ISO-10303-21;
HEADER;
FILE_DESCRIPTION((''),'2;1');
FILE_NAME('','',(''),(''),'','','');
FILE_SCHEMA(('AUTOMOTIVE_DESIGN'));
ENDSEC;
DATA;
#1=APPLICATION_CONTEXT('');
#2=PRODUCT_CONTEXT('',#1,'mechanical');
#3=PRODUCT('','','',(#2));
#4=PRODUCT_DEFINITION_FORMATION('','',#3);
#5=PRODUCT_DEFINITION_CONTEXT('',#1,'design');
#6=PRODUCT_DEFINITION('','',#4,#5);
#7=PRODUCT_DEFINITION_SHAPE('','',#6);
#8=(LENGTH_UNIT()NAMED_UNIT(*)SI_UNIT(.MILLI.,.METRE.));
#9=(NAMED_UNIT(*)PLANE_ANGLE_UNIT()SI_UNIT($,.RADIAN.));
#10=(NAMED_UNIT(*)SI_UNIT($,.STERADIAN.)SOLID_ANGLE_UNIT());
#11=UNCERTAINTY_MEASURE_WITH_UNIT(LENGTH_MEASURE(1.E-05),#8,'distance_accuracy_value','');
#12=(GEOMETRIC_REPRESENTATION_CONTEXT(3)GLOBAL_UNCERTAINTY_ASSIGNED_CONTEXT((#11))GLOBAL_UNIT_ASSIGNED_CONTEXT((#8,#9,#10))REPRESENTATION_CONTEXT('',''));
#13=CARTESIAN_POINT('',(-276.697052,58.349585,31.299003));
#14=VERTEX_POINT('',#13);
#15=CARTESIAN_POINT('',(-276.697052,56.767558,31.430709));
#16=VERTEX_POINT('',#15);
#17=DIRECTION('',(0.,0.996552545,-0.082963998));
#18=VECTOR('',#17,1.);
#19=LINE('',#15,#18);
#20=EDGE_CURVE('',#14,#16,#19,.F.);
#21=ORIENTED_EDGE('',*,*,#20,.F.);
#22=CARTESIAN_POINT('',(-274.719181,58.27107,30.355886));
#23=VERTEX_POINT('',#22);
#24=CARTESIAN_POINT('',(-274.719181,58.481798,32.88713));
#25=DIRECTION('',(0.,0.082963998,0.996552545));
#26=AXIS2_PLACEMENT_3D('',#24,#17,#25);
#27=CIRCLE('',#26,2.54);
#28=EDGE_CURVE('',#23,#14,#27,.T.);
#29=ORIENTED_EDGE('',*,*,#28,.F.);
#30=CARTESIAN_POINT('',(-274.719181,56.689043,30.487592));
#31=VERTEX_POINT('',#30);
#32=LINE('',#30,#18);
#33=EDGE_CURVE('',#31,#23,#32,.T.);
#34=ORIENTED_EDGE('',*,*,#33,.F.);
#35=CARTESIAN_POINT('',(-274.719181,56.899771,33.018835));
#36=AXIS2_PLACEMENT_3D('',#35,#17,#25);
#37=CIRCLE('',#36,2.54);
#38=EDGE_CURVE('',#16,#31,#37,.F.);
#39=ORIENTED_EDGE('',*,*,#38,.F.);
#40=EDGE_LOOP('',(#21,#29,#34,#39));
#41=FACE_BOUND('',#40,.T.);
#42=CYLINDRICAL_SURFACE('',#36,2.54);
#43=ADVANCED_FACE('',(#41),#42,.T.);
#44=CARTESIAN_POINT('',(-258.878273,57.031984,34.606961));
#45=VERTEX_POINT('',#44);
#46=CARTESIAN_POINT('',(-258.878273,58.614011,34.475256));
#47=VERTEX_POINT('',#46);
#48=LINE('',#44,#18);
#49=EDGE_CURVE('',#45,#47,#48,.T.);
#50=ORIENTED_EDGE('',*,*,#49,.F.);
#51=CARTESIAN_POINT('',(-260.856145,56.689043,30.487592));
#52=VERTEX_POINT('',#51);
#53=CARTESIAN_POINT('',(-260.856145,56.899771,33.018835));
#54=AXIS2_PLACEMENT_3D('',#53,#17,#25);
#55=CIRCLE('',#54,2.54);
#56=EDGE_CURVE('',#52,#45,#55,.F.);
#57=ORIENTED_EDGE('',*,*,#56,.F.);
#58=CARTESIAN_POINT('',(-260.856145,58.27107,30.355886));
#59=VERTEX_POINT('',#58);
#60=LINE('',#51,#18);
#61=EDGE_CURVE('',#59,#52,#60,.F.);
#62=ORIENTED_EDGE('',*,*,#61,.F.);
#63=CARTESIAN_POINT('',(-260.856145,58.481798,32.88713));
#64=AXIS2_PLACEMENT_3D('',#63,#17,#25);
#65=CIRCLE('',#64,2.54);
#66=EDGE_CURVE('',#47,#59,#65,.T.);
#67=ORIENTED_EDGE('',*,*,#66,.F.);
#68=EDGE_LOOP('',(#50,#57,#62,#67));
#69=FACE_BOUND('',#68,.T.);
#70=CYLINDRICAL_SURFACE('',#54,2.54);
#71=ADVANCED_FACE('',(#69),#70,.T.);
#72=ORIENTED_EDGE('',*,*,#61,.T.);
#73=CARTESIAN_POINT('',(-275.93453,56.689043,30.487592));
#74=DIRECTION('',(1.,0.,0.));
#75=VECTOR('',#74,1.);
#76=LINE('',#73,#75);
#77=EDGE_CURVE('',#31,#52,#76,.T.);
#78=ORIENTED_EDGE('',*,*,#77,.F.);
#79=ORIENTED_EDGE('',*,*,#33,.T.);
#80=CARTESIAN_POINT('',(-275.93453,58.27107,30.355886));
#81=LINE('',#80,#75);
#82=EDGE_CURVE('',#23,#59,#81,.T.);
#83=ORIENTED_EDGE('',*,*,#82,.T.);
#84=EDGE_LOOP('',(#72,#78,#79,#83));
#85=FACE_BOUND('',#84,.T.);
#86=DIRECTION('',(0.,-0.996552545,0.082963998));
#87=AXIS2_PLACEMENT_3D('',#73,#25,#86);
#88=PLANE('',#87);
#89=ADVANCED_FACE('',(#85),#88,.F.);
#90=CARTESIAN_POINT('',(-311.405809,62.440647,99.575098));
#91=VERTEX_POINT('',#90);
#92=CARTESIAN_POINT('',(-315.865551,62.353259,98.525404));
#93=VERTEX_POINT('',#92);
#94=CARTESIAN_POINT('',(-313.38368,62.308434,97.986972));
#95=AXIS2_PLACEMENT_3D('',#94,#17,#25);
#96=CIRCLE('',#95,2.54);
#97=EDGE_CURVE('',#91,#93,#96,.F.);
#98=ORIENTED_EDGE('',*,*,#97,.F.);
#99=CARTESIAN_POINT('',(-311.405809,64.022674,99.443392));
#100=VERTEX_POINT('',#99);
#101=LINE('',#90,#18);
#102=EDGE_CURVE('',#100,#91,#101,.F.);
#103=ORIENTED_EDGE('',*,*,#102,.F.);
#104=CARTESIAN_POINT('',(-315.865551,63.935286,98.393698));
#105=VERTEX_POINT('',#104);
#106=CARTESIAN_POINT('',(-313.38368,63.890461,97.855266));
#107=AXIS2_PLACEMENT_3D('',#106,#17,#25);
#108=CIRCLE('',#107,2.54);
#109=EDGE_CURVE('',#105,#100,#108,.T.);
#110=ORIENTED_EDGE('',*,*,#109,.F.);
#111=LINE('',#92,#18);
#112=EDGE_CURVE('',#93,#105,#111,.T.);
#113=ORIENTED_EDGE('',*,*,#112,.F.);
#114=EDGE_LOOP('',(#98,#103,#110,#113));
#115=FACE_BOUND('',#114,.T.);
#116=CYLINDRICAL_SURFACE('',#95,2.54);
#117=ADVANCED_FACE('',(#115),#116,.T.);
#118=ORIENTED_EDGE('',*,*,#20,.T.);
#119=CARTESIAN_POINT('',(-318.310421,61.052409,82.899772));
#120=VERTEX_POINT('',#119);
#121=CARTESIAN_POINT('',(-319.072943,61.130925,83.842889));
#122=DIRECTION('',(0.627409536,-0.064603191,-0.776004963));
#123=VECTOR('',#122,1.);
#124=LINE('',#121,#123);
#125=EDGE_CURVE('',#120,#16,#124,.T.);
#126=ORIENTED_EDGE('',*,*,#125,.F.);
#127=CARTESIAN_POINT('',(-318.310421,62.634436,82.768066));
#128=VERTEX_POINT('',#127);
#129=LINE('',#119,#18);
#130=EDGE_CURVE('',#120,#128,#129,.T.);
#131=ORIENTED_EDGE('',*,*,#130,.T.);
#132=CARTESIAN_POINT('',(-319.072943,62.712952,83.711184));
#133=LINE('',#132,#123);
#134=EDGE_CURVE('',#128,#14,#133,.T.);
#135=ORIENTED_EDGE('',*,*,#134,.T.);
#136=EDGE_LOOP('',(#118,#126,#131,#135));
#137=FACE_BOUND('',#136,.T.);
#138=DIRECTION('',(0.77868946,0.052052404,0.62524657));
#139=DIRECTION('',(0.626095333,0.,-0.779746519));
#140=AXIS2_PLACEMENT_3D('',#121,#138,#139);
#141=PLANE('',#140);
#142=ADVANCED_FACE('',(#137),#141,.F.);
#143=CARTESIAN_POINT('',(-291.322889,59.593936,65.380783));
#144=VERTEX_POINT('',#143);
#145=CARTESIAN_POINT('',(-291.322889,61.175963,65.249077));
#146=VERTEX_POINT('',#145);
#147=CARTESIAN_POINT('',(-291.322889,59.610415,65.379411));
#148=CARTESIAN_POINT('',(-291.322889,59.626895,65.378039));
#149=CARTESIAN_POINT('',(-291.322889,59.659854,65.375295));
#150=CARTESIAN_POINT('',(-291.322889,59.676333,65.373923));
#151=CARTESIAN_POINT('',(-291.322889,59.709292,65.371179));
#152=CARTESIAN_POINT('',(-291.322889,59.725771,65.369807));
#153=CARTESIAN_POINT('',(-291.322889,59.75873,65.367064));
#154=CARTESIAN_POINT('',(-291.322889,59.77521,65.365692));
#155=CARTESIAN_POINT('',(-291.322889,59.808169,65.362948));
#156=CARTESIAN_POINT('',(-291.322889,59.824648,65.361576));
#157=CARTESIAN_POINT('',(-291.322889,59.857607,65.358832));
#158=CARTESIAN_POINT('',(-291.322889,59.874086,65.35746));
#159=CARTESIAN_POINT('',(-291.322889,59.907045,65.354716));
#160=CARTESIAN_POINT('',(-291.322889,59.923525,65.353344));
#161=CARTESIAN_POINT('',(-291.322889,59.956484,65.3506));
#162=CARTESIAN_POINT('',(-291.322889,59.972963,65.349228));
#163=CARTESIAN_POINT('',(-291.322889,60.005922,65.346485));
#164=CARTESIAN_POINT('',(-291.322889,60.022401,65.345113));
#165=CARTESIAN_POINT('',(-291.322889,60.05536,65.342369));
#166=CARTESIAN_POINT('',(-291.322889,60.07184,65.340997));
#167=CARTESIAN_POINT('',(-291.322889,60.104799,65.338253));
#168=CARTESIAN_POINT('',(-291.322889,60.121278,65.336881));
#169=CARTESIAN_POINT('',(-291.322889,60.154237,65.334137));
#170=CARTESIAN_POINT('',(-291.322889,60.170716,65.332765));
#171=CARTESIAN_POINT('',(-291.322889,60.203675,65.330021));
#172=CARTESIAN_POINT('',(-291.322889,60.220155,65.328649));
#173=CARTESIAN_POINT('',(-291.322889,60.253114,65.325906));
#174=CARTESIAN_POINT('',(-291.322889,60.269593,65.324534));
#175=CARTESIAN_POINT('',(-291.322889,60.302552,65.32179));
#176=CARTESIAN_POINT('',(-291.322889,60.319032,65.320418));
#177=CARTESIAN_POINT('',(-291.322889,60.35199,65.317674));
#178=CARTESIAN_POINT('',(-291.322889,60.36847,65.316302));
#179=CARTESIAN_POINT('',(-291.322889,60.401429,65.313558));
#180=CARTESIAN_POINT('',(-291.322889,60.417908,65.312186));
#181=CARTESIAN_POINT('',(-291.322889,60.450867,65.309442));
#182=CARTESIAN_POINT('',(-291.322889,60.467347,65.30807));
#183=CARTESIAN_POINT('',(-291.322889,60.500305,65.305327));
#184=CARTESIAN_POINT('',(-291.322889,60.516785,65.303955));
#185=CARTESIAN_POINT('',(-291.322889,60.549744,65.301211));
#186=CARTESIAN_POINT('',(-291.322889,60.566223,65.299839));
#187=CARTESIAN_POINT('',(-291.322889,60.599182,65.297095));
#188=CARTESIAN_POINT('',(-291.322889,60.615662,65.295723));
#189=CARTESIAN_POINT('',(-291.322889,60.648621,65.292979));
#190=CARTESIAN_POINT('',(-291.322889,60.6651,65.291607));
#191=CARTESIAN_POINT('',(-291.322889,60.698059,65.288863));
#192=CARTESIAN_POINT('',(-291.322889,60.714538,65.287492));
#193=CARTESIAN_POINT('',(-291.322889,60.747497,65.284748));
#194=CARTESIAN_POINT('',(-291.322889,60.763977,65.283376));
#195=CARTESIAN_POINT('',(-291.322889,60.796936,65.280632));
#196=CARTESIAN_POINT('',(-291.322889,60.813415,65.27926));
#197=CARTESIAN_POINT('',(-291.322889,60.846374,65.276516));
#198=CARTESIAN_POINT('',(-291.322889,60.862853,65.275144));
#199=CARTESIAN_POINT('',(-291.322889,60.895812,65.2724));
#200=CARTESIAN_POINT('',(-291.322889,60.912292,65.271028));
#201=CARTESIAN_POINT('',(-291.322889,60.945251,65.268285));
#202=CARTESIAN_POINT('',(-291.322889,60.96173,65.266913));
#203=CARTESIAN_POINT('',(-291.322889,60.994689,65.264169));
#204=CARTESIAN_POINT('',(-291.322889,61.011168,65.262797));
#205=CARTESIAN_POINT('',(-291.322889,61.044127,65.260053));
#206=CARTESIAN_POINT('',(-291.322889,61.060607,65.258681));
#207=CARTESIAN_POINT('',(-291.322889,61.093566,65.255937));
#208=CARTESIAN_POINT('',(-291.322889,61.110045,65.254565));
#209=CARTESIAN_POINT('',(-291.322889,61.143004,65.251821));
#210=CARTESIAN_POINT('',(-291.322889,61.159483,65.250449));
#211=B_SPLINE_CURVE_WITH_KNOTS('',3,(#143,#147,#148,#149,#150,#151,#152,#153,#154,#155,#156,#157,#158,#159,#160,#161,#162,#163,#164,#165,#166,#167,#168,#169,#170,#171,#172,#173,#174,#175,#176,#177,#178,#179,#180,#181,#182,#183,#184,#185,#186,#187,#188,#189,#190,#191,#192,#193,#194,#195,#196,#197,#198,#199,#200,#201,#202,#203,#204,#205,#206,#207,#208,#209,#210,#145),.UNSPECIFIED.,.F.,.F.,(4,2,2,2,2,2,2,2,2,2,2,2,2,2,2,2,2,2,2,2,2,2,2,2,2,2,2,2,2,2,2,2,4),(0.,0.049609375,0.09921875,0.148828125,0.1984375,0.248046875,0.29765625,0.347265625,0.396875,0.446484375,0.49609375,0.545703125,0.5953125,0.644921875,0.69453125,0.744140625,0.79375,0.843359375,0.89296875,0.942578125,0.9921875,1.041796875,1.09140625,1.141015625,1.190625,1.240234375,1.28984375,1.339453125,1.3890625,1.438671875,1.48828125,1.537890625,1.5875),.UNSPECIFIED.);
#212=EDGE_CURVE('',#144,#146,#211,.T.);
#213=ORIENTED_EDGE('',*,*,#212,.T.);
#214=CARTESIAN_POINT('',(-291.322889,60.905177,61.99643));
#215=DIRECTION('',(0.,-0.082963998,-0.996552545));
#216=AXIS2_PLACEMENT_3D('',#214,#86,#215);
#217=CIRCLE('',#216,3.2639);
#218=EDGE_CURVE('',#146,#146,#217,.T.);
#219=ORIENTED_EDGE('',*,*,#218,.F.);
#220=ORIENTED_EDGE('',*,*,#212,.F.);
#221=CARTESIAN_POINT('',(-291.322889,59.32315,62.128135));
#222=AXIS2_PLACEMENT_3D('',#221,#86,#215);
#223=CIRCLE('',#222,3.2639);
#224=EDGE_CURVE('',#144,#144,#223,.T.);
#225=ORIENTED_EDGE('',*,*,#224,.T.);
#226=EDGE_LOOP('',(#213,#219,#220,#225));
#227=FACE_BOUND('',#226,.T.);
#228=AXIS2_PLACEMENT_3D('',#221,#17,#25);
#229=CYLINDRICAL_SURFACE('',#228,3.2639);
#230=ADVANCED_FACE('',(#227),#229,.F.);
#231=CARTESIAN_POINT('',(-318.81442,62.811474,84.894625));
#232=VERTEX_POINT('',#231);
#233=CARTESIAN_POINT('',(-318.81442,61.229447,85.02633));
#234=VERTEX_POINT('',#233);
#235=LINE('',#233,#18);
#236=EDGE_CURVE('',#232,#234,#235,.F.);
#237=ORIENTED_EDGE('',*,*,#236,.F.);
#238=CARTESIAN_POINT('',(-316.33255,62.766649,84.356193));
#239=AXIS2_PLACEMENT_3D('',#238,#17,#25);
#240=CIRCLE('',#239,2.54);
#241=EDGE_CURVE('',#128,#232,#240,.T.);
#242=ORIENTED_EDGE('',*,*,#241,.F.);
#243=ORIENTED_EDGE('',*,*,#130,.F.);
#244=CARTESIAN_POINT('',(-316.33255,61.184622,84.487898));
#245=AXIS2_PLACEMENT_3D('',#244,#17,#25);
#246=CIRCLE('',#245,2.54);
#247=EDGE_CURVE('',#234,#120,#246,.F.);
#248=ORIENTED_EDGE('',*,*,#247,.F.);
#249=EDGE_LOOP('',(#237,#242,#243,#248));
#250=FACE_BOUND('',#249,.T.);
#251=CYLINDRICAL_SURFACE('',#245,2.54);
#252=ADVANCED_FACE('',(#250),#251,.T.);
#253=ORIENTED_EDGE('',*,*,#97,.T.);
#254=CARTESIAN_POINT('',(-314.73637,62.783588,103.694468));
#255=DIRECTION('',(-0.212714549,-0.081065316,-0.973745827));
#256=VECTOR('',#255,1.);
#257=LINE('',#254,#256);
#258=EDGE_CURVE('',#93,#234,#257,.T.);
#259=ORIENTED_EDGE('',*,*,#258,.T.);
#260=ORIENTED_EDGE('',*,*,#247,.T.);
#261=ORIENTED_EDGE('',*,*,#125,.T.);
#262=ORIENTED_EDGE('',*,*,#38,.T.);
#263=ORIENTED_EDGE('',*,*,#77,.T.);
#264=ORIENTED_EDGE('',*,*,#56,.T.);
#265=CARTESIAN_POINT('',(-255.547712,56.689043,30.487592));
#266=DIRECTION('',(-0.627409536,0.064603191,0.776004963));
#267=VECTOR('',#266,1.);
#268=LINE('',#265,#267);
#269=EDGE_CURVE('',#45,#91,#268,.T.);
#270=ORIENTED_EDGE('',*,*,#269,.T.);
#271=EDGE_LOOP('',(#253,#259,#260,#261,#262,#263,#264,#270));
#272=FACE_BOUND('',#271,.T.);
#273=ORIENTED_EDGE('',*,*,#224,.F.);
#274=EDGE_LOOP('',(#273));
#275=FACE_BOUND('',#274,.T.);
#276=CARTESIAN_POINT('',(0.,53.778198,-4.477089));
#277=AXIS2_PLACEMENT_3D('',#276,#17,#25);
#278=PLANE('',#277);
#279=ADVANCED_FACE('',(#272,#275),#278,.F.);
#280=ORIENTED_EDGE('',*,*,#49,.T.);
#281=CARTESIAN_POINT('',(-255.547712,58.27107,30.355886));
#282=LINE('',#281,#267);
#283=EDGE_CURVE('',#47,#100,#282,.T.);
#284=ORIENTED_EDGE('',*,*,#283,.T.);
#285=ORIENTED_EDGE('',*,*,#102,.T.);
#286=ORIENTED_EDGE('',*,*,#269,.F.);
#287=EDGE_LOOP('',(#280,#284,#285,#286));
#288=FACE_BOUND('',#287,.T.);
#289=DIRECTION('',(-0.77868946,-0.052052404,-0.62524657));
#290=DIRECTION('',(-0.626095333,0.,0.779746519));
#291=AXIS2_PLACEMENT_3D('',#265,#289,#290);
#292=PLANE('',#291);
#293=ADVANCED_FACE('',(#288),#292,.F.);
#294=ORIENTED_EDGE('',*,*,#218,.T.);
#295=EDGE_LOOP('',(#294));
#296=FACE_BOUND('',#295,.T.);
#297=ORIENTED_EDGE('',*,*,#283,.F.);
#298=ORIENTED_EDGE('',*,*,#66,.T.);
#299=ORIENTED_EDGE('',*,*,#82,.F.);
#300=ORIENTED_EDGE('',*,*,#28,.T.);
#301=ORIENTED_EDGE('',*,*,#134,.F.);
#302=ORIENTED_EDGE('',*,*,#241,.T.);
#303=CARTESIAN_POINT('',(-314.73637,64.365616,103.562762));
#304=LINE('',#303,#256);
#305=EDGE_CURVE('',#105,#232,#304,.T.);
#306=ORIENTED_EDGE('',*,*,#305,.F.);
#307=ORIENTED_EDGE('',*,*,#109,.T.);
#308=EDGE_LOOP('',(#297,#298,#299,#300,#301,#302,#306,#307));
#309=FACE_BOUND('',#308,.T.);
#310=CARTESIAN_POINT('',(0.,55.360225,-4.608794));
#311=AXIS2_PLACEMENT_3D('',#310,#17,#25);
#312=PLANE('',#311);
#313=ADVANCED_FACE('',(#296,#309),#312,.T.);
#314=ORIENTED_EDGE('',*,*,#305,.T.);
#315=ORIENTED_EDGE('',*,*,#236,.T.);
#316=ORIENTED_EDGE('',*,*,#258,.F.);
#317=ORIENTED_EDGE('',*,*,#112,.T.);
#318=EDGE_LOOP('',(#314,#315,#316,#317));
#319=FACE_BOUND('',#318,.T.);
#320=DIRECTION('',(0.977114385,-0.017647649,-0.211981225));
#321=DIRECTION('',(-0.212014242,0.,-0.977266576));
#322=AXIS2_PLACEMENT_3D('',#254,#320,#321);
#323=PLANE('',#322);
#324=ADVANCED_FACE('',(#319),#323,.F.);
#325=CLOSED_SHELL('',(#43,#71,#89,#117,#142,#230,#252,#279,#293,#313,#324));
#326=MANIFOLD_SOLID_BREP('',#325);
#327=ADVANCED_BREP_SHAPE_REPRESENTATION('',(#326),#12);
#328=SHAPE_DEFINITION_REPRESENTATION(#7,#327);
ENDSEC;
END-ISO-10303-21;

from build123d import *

# Parameters (mm, degrees)
SKETCH2_R           = 3.2639
BOSS_EXTRUDE1_DEPTH = 1.5875
FILLET1_R           = 2.54


with BuildPart() as part:
    # Sketch2 → Boss-Extrude1 (new body)
    with BuildSketch(Plane(origin=(0, 55.360225049, -4.608794225), x_dir=(-1, 0, 0), z_dir=(1.3350431871117514e-14, -0.9965525450230818, 0.0829639982644206))):
        Polygon((255.547712488, -35.085636701), (314.736370081, -108.545763081), (319.072942794, -88.62551032), (275.934530116, -35.085636701), align=None)
        with Locations((291.32288887, -66.835636701)):
            Circle(SKETCH2_R, mode=Mode.SUBTRACT)
    extrude(amount=BOSS_EXTRUDE1_DEPTH)

    # Fillet1
    fillet1_edges = [part.edges().sort_by_distance(p)[0] for p in [
        (-275.934530116, 57.480056169, 30.421738996),
        (-255.547712488, 57.480056169, 30.421738996),
        (-319.072942794, 61.921938151, 83.777036311),
        (-314.736370081, 63.574601966, 103.628614898),
    ]]
    fillet(fillet1_edges, radius=FILLET1_R)


solid = part.part
